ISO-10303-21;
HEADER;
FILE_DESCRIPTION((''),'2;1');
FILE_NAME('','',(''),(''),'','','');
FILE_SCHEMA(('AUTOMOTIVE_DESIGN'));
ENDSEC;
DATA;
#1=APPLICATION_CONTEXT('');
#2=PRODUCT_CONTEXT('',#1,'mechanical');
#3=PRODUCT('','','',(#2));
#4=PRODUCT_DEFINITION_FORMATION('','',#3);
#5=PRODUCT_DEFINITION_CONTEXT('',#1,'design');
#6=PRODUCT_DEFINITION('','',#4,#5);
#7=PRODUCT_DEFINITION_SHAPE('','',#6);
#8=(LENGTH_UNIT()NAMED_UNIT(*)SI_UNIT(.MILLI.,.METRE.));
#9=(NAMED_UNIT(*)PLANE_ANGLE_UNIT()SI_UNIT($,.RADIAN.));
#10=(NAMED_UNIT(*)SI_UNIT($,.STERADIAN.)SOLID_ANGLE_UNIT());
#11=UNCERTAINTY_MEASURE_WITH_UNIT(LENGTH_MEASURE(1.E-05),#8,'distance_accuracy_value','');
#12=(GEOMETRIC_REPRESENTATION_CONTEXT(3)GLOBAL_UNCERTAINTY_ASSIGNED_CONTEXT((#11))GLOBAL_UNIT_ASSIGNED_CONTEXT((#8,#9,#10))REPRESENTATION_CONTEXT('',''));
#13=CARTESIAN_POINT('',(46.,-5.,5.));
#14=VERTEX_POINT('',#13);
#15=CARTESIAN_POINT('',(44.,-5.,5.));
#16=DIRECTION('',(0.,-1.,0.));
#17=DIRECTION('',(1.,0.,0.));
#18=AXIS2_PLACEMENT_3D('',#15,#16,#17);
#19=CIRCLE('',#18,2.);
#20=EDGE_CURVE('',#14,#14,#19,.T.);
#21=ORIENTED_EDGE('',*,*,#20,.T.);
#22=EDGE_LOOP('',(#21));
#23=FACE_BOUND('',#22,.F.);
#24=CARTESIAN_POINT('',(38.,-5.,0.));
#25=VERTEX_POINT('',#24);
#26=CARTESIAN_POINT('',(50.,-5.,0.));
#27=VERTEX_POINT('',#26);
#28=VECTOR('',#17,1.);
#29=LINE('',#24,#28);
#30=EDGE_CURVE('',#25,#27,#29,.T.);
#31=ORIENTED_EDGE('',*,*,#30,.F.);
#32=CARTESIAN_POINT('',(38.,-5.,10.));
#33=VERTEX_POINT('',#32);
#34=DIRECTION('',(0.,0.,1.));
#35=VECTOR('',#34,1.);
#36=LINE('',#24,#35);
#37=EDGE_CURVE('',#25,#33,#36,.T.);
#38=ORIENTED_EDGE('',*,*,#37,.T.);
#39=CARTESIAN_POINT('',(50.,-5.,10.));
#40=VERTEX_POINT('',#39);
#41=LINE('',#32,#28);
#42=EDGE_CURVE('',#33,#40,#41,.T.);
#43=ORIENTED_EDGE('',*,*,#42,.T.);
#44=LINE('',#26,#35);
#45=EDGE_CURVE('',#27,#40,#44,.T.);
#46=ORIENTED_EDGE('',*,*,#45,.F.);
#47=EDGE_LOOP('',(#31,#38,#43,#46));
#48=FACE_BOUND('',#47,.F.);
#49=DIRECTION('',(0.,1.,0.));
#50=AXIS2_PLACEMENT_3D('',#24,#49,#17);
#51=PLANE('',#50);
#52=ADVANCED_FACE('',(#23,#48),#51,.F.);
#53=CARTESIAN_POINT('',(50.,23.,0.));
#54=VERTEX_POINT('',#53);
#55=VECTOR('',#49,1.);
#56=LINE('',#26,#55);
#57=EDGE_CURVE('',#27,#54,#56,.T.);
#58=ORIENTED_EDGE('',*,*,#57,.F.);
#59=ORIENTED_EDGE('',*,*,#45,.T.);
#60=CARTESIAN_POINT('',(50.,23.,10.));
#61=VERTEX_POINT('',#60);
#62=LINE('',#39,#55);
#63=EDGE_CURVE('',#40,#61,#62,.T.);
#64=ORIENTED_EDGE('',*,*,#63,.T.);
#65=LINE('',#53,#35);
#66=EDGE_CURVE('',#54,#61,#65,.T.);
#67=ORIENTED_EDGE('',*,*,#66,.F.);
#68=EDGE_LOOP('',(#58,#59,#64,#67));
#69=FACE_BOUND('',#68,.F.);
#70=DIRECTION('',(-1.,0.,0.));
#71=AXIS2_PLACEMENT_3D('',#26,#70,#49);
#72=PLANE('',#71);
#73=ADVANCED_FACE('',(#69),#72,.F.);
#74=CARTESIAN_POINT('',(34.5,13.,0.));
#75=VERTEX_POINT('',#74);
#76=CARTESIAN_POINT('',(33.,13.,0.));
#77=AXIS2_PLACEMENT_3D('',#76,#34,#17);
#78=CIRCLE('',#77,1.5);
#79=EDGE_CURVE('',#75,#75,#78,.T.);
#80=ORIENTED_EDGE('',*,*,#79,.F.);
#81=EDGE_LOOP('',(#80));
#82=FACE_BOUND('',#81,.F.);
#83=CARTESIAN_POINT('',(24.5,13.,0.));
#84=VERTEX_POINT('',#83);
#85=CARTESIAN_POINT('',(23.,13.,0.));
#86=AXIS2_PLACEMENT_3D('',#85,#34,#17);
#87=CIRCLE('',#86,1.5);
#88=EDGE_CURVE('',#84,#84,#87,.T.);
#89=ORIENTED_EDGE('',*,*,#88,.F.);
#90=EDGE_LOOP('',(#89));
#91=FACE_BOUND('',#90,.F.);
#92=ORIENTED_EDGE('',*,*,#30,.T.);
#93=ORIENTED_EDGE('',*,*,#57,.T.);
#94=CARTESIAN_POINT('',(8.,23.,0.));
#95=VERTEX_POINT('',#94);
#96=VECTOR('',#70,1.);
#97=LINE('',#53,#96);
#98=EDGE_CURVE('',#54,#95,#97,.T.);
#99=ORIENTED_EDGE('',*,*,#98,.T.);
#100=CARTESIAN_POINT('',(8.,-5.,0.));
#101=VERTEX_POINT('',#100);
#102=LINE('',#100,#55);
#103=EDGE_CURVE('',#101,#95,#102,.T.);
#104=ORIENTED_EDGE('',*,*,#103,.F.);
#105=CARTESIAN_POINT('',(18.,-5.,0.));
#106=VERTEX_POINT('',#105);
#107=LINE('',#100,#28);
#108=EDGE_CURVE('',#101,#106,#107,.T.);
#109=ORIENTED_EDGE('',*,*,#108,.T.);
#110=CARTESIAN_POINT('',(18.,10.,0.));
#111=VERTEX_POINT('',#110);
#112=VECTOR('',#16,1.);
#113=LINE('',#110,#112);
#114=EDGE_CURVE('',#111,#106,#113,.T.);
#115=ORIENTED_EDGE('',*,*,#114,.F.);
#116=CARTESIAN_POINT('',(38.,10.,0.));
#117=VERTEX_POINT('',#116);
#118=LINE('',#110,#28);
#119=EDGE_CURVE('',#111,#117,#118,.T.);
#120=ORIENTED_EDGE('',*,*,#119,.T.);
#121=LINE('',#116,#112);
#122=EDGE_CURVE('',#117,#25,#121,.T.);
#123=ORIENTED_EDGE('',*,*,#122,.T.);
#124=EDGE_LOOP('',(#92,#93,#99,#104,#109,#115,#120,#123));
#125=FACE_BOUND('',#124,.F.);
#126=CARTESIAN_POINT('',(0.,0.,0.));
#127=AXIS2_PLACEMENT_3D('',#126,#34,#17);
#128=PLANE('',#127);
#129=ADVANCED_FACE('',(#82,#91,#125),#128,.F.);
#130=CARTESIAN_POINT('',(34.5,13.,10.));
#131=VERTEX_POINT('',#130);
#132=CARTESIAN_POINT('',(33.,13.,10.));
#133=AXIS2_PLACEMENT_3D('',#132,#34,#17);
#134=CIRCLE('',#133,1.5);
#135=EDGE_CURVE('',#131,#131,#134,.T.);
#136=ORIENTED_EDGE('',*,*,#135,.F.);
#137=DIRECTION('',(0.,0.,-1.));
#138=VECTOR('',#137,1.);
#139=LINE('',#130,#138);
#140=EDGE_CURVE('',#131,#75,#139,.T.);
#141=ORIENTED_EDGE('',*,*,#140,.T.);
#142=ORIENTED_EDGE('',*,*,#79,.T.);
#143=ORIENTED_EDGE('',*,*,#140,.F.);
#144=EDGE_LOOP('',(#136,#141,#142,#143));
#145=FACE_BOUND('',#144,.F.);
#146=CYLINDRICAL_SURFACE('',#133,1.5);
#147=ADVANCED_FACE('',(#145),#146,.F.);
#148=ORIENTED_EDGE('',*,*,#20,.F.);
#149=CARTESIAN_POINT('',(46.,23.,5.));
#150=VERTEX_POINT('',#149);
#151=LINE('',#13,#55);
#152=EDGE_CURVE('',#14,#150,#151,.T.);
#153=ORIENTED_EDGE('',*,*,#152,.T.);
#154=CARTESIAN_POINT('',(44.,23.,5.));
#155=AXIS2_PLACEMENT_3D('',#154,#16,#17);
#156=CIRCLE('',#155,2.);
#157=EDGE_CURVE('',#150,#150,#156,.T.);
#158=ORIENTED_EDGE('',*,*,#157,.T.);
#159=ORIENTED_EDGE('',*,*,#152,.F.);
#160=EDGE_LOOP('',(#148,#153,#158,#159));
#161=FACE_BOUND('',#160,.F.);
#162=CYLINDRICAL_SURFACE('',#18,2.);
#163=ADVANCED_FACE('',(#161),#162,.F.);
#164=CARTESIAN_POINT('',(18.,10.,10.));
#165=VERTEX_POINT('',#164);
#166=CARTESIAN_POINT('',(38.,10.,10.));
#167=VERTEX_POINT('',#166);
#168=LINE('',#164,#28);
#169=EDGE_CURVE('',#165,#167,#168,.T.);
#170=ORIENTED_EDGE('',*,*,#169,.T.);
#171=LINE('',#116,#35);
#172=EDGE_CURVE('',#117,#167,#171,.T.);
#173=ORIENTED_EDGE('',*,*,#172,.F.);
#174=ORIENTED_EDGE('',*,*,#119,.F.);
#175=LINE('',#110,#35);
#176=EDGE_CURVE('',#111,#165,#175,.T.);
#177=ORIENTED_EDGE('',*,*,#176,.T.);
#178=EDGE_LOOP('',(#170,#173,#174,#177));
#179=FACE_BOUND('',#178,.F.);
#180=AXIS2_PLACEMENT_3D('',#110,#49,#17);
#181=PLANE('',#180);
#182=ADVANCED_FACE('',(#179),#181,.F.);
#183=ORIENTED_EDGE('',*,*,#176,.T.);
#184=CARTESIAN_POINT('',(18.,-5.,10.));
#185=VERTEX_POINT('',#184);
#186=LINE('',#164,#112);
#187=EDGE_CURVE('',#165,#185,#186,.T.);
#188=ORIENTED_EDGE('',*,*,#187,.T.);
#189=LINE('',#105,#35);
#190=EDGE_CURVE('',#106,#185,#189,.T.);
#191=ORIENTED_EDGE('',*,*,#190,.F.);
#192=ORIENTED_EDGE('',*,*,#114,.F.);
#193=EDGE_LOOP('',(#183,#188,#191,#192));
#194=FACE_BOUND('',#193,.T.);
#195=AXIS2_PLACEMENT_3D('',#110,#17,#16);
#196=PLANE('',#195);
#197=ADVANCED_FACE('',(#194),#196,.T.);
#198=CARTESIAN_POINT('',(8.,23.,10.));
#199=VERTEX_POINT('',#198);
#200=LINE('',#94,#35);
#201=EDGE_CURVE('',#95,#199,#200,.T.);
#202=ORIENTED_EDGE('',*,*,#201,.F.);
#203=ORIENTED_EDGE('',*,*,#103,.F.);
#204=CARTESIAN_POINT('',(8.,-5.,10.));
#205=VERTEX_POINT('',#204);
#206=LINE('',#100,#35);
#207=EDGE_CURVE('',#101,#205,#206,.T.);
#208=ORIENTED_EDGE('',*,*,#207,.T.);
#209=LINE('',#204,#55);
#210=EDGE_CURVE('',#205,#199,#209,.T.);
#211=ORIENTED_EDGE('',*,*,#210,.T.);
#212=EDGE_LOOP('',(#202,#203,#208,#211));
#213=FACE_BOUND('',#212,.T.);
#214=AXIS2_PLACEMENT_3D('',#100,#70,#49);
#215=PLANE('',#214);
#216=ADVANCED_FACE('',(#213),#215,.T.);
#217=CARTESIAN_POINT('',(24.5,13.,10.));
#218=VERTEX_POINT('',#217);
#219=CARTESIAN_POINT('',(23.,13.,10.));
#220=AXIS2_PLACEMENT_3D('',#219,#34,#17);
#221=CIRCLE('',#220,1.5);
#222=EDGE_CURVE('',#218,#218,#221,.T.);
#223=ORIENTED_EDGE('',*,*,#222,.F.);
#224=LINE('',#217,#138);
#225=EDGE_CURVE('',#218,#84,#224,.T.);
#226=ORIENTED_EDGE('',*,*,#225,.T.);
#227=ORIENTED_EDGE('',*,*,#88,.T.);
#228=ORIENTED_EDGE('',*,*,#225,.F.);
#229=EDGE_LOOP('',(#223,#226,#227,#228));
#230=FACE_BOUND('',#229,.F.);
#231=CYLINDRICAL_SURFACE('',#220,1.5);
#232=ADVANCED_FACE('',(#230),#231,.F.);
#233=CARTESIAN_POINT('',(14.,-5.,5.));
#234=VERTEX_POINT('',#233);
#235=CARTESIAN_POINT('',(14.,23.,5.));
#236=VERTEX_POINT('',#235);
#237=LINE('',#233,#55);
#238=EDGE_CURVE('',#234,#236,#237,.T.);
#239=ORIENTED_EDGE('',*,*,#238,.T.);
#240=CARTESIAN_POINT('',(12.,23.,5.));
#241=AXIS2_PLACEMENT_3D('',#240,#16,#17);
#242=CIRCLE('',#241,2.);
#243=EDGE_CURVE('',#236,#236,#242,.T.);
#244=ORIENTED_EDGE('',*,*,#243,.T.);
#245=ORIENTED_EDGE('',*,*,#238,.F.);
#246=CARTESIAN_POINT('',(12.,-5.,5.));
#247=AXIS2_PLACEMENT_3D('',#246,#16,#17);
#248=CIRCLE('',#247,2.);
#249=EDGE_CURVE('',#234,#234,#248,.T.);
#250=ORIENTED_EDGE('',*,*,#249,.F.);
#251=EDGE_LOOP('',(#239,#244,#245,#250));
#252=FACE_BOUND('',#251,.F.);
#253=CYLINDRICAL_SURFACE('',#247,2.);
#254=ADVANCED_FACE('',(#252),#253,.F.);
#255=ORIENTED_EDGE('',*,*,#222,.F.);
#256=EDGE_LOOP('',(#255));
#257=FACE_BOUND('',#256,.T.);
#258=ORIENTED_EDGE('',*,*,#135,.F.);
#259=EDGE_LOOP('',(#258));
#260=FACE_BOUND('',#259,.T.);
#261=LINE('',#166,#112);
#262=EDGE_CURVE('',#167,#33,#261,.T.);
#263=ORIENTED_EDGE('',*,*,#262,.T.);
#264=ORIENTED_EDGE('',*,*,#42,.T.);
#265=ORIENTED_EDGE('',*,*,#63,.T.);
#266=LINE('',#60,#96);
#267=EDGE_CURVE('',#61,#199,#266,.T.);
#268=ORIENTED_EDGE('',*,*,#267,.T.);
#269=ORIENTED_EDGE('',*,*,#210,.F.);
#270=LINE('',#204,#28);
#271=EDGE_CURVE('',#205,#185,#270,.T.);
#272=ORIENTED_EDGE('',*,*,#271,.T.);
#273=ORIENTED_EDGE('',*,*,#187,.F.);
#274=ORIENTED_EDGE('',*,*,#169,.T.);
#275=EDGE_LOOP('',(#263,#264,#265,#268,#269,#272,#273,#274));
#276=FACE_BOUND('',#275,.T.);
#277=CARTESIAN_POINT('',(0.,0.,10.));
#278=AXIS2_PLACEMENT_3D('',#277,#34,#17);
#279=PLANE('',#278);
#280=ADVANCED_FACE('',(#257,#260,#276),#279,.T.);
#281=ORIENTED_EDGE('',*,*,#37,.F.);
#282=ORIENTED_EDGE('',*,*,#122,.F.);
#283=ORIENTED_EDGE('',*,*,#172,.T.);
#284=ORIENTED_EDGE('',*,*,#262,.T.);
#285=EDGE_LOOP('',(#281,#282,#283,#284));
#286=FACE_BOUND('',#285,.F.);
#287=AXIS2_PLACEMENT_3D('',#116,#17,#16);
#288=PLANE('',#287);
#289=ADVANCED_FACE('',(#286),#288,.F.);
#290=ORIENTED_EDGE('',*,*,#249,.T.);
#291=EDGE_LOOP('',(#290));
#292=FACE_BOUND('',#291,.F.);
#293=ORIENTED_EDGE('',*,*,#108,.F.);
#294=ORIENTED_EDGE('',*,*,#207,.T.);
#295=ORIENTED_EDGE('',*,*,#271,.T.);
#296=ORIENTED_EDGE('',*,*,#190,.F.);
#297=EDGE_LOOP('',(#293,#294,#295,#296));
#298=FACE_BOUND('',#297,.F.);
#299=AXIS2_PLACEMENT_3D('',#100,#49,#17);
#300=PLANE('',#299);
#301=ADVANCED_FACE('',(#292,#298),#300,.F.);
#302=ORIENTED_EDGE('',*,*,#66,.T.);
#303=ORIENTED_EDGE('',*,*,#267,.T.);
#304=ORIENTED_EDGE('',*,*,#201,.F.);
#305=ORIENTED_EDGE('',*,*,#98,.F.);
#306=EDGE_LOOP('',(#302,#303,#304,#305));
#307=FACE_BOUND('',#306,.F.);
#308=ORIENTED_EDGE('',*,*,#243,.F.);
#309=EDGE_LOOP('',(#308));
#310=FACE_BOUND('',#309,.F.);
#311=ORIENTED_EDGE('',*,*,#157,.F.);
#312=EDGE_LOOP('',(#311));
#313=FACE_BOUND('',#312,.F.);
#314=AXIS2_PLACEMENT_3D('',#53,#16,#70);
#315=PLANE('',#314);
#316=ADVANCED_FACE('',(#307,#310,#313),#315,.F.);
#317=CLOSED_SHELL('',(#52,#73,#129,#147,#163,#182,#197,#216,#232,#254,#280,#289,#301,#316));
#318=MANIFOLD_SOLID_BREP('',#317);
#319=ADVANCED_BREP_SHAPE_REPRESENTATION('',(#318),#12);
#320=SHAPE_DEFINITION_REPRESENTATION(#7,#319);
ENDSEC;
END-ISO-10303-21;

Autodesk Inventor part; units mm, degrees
ref_plane "YZ Plane" through (0, 0, 0) normal (1, 0, 0) x (0, 1, 0)
ref_plane "XZ Plane" through (0, 0, 0) normal (0, 1, 0) x (-1, 0, 0)
ref_plane "XY Plane" through (0, 0, 0) normal (0, 0, 1) x (1, 0, 0)
sketch "Sketch1" plane through (0, 0, 0) normal (0, 0, 1) x (1, 0, 0)
  line L0 (50, -5) -> (50, 23)
  line L1 (50, 23) -> (8, 23)
  line L2 (18, 10) -> (38, 10)
  line L3 (18, 10) -> (18, -5)
  line L4 (38, 10) -> (38, -5)
  line L5 (8, -5) -> (8, 23)
  line L6 (8, -5) -> (18, -5)
  line L7 (38, -5) -> (50, -5)
  dimension "d1" = 28
  dimension "d4" = 15
  dimension "d14" = 20
  dimension "d16" = 12
  dimension "d37" = 42
  dimension "d46" = 28
extrude "Extrusion3" add sketch "Sketch1" along normal blind 10
sketch "Sketch5" plane through (8, -5, 0) normal (0, -1, 0) x (1, 0, 0)
  circle A0 centre (4, 5) radius 2
  line L0 (10, 0) -> (10, 10) projected
  line L1 (0, 0) -> (10, 0) projected
  circle A1 centre (36, 5) radius 2
  line L2 (30, 0) -> (30, 10) projected
  line L3 (30, 0) -> (42, 0) projected
  dimension "d38" = 4
  dimension "d39" = 6
  dimension "d40" = 5
  dimension "d41" = 4
  dimension "d42" = 6
  dimension "d43" = 5
extrude "Extrusion6" cut sketch "Sketch5" against normal blind 100
sketch "Boceto6" plane through (0, 0, 10) normal (0, 0, 1) x (1, 0, 0)
  line L0 (50, 23) -> (8, 23) projected
  circle A0 centre (23, 13) radius 1.5
  circle A1 centre (33, 13) radius 1.5
  line L1 (50, -5) -> (50, 23) projected
  line L2 (38, 10) -> (38, -5) projected
  point P0 (0, 0)
  dimension "d50" = 3
  dimension "d51" = 3
  dimension "d52" = 10
  dimension "d53" = 10
  dimension "d62" = 5
extrude "Extrusión7" cut sketch "Boceto6" against normal blind 10
thread "Rosca1" size "M3x0.5" class "6H" standard "ANSI Metric M Profile" length 12
thread "Rosca2" size "M3x0.5" class "6H" standard "ANSI Metric M Profile" length 12
properties part number "Espaciador Izquierdo" material "Aluminum 6061"
